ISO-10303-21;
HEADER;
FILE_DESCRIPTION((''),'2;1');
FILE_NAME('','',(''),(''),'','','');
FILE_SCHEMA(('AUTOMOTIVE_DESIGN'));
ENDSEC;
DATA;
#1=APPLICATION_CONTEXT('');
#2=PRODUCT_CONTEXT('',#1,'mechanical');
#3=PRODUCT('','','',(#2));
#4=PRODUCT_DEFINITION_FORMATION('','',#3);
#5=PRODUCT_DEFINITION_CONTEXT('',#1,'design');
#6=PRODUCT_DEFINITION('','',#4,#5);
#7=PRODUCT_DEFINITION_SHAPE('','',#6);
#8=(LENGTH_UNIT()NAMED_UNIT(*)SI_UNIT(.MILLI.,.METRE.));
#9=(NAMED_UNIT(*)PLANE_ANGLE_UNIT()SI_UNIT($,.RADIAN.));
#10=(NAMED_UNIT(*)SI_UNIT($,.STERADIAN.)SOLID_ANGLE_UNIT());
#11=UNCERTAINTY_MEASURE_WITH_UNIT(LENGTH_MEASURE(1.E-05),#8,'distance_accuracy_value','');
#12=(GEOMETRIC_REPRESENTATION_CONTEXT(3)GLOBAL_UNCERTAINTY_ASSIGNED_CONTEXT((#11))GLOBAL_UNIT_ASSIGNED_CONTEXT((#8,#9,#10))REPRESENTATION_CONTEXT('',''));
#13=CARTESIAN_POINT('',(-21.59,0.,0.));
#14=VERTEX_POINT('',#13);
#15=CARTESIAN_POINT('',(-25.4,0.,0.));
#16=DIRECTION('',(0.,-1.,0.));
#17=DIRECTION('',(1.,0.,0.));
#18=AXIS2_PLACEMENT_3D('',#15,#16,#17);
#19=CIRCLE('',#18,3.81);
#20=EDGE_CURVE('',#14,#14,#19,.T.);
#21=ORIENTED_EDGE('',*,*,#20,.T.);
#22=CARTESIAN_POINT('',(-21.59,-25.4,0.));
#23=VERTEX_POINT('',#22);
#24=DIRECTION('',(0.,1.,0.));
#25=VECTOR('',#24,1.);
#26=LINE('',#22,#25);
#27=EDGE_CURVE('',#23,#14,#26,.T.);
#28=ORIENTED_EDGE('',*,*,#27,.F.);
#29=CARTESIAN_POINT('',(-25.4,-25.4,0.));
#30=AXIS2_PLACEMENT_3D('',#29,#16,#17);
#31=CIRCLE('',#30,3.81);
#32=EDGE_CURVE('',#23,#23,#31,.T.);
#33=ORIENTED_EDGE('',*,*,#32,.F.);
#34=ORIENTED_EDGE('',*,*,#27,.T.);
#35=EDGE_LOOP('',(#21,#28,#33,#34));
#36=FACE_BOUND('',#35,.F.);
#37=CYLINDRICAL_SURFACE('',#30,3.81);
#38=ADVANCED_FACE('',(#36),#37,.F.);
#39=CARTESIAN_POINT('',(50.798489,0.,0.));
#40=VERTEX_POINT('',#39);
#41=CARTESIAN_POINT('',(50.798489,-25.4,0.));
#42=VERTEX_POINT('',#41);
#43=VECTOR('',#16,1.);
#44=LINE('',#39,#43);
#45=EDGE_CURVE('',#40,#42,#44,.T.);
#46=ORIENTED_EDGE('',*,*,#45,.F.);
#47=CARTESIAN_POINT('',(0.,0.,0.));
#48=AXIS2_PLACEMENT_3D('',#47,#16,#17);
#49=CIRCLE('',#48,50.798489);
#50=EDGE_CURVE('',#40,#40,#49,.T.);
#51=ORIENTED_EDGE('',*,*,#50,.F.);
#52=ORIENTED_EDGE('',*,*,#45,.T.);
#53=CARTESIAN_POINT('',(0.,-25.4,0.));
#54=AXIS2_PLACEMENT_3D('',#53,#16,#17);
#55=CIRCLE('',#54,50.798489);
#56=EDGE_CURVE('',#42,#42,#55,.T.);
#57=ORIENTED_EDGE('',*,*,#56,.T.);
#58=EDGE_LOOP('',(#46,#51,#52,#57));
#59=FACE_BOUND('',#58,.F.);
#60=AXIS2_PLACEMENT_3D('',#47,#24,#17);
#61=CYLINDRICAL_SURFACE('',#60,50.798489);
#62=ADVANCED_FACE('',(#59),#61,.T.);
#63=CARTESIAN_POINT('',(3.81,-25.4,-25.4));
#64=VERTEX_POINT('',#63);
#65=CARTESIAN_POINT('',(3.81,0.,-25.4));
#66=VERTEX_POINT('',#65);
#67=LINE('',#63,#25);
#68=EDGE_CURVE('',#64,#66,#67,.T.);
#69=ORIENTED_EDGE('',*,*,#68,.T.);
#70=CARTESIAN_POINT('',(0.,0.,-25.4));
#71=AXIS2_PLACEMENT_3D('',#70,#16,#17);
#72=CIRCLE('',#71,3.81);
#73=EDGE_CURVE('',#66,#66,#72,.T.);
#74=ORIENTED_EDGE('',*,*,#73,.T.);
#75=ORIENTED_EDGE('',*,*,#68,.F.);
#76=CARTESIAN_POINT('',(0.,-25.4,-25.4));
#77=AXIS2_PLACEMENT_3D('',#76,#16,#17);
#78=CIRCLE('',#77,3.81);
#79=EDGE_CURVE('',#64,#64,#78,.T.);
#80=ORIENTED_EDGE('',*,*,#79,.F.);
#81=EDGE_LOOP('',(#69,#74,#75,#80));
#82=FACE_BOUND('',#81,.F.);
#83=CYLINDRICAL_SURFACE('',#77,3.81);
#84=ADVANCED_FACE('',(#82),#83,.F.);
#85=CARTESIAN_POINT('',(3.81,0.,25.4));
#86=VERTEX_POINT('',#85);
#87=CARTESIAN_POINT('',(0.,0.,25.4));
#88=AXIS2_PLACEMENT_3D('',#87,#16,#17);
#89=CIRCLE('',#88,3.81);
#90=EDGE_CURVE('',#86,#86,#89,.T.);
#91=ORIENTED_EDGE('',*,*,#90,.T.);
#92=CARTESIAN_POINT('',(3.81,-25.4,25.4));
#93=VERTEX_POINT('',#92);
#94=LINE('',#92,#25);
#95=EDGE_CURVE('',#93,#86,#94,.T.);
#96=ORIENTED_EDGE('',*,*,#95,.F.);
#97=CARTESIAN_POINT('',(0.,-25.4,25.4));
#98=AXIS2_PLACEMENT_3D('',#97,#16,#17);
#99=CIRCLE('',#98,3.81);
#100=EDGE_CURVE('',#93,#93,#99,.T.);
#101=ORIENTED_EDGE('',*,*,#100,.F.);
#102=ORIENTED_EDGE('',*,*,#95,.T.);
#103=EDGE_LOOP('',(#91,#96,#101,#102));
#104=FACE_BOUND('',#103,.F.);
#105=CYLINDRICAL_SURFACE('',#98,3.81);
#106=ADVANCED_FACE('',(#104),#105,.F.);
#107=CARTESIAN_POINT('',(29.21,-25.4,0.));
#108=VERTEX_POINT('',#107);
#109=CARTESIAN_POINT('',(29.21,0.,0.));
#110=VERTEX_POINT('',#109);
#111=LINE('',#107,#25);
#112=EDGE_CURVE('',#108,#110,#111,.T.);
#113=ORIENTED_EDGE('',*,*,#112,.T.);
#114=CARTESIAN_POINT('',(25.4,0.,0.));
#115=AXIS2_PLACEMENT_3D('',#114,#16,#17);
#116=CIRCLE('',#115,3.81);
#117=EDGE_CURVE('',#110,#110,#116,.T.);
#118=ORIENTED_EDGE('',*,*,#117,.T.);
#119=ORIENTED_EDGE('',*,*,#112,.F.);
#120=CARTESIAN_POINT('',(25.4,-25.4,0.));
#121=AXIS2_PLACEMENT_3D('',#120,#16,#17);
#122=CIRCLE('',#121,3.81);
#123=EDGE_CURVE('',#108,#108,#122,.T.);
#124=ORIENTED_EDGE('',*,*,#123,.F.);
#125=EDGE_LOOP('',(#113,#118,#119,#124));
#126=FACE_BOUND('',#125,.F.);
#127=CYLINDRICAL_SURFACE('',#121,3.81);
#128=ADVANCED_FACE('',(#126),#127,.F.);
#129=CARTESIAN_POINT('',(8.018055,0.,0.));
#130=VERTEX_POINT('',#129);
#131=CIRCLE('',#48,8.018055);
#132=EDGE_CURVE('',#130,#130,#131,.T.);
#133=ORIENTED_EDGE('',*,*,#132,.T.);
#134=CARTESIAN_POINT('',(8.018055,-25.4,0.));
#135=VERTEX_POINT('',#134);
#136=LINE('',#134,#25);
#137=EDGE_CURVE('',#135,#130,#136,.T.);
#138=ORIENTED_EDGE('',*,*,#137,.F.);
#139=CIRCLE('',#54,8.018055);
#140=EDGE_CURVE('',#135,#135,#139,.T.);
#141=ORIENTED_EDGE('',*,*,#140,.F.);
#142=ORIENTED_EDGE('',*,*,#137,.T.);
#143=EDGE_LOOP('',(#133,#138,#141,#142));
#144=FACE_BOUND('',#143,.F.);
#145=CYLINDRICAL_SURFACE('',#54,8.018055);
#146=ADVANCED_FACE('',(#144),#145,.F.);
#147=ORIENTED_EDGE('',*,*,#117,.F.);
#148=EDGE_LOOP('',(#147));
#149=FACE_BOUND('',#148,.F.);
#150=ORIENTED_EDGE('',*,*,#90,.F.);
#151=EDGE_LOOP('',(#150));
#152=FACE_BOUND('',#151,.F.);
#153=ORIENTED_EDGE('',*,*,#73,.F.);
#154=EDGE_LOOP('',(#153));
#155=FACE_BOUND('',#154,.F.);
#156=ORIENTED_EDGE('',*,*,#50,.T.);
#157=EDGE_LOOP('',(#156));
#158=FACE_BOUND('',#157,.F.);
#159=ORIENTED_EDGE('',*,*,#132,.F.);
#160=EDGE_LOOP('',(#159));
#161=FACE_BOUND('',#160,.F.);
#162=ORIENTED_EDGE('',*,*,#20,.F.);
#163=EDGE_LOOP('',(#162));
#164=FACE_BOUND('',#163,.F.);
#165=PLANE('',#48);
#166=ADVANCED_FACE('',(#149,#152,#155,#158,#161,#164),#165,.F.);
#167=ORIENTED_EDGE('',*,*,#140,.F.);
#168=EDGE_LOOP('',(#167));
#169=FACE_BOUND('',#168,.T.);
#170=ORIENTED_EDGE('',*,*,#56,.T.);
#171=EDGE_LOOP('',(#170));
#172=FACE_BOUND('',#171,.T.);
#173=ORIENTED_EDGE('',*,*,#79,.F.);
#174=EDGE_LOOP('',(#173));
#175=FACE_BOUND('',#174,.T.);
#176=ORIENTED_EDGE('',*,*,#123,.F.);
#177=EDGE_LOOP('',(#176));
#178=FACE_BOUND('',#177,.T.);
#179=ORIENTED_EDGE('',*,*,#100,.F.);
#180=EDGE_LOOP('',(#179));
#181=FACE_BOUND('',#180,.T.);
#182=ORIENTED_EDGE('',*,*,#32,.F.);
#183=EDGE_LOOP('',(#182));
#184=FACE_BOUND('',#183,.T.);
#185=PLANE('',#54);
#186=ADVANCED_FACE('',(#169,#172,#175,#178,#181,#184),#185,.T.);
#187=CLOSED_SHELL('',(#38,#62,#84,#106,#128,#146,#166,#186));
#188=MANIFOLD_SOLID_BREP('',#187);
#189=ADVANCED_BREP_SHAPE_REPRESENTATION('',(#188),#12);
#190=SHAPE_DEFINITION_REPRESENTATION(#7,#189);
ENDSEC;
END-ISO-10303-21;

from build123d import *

# Parameters (mm, degrees)
F0_R     = 50.798489
F1_DEPTH = 25.4
F2_R     = 8.018055
F3_DEPTH = 88.392
F4_R     = 3.81
F6_DEPTH = 25.4


with BuildPart() as f1:
    # F0 (on Front) → F1 (new body)
    with BuildSketch(Plane.XZ):
        Circle(F0_R)
    extrude(amount=F1_DEPTH)

    # F2 (on face) → F3 (cut)
    with BuildSketch(Plane.XZ.offset(25.4)):
        Circle(F2_R)
    extrude(amount=-F3_DEPTH, mode=Mode.SUBTRACT)

    # F4 (on face) → F6 (cut)
    with BuildSketch(Plane.XZ.offset(25.4)):
        with Locations((0, 25.4)):
            Circle(F4_R)
        with Locations((-25.4, 0)):
            Circle(F4_R)
        with Locations((0, -25.4)):
            Circle(F4_R)
        with Locations((25.4, 0)):
            Circle(F4_R)
    extrude(amount=-F6_DEPTH, mode=Mode.SUBTRACT)


solid = f1.part
